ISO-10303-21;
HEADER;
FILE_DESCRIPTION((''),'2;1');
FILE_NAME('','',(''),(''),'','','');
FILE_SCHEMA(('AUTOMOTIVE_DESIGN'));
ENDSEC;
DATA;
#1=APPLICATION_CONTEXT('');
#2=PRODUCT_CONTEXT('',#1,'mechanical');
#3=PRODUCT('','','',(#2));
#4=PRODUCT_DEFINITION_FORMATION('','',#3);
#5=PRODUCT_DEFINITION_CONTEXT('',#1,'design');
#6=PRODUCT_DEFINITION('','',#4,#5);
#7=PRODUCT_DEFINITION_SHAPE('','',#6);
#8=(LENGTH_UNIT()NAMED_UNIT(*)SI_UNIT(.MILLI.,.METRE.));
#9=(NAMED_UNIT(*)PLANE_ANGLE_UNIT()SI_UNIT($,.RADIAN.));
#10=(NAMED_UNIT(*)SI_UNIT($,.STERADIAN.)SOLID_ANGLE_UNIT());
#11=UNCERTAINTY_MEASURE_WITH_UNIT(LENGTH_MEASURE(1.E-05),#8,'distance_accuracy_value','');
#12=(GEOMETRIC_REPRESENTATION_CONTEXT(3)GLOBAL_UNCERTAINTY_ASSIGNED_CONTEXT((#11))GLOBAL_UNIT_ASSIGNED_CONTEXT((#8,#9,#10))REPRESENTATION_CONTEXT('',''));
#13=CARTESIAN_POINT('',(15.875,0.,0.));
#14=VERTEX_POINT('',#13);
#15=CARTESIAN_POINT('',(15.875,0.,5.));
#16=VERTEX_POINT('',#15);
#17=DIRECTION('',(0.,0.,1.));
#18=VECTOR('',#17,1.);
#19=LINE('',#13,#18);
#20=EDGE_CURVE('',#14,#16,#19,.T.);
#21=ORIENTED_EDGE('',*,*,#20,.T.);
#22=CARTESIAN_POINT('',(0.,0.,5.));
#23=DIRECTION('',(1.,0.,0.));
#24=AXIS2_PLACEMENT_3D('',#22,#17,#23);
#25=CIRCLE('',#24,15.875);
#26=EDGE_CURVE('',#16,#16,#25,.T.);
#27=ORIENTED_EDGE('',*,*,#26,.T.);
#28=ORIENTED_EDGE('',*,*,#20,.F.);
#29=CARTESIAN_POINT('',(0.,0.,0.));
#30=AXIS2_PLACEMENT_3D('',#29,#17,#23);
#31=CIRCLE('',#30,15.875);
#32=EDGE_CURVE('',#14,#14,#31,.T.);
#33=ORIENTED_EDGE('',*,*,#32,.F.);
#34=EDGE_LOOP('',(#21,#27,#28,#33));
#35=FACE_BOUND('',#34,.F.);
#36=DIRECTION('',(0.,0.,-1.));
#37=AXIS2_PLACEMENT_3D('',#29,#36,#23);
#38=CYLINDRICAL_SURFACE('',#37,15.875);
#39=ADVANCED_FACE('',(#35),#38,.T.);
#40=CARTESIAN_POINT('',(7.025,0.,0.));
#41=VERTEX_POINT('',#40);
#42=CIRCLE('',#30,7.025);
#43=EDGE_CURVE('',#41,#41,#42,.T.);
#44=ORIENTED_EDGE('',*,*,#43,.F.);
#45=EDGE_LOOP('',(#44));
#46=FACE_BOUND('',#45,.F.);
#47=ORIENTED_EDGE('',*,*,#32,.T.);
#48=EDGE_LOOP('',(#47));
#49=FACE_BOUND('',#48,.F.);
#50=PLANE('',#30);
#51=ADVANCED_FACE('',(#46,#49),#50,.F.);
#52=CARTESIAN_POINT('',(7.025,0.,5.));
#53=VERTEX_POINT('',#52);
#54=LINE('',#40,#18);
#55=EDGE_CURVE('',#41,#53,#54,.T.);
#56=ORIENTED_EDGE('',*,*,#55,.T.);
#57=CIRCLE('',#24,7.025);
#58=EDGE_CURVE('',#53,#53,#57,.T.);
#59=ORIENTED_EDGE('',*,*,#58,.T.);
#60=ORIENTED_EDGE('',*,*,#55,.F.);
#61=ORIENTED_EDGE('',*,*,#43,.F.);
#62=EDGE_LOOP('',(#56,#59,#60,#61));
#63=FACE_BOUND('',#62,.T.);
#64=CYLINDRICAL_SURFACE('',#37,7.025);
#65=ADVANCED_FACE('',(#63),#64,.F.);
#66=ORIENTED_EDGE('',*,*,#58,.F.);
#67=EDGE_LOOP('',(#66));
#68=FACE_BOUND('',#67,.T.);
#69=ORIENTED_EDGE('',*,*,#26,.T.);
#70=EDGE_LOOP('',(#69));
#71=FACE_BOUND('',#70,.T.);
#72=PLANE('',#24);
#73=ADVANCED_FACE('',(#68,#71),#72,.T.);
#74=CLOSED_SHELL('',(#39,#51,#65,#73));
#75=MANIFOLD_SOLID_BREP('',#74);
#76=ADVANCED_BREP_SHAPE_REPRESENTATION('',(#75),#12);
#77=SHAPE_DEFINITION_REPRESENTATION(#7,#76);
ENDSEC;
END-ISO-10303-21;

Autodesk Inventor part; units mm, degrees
ref_plane "YZ Plane" through (0, 0, 0) normal (1, 0, 0) x (0, 1, 0)
ref_plane "XZ Plane" through (0, 0, 0) normal (0, 1, 0) x (-1, 0, 0)
ref_plane "XY Plane" through (0, 0, 0) normal (0, 0, 1) x (1, 0, 0)
sketch "Sketch1" plane through (0, 0, 0) normal (0, 0, 1) x (1, 0, 0)
  circle A0 centre (0, 0) radius 15.875
  circle A1 centre (0, 0) radius 7.025
  dimension "d0" = 31.75
  dimension "d1" = 14.05
extrude "Extrusion1" add sketch "Sketch1" along normal blind 5
properties part number "NeckEncoderAlignmentFlange"
